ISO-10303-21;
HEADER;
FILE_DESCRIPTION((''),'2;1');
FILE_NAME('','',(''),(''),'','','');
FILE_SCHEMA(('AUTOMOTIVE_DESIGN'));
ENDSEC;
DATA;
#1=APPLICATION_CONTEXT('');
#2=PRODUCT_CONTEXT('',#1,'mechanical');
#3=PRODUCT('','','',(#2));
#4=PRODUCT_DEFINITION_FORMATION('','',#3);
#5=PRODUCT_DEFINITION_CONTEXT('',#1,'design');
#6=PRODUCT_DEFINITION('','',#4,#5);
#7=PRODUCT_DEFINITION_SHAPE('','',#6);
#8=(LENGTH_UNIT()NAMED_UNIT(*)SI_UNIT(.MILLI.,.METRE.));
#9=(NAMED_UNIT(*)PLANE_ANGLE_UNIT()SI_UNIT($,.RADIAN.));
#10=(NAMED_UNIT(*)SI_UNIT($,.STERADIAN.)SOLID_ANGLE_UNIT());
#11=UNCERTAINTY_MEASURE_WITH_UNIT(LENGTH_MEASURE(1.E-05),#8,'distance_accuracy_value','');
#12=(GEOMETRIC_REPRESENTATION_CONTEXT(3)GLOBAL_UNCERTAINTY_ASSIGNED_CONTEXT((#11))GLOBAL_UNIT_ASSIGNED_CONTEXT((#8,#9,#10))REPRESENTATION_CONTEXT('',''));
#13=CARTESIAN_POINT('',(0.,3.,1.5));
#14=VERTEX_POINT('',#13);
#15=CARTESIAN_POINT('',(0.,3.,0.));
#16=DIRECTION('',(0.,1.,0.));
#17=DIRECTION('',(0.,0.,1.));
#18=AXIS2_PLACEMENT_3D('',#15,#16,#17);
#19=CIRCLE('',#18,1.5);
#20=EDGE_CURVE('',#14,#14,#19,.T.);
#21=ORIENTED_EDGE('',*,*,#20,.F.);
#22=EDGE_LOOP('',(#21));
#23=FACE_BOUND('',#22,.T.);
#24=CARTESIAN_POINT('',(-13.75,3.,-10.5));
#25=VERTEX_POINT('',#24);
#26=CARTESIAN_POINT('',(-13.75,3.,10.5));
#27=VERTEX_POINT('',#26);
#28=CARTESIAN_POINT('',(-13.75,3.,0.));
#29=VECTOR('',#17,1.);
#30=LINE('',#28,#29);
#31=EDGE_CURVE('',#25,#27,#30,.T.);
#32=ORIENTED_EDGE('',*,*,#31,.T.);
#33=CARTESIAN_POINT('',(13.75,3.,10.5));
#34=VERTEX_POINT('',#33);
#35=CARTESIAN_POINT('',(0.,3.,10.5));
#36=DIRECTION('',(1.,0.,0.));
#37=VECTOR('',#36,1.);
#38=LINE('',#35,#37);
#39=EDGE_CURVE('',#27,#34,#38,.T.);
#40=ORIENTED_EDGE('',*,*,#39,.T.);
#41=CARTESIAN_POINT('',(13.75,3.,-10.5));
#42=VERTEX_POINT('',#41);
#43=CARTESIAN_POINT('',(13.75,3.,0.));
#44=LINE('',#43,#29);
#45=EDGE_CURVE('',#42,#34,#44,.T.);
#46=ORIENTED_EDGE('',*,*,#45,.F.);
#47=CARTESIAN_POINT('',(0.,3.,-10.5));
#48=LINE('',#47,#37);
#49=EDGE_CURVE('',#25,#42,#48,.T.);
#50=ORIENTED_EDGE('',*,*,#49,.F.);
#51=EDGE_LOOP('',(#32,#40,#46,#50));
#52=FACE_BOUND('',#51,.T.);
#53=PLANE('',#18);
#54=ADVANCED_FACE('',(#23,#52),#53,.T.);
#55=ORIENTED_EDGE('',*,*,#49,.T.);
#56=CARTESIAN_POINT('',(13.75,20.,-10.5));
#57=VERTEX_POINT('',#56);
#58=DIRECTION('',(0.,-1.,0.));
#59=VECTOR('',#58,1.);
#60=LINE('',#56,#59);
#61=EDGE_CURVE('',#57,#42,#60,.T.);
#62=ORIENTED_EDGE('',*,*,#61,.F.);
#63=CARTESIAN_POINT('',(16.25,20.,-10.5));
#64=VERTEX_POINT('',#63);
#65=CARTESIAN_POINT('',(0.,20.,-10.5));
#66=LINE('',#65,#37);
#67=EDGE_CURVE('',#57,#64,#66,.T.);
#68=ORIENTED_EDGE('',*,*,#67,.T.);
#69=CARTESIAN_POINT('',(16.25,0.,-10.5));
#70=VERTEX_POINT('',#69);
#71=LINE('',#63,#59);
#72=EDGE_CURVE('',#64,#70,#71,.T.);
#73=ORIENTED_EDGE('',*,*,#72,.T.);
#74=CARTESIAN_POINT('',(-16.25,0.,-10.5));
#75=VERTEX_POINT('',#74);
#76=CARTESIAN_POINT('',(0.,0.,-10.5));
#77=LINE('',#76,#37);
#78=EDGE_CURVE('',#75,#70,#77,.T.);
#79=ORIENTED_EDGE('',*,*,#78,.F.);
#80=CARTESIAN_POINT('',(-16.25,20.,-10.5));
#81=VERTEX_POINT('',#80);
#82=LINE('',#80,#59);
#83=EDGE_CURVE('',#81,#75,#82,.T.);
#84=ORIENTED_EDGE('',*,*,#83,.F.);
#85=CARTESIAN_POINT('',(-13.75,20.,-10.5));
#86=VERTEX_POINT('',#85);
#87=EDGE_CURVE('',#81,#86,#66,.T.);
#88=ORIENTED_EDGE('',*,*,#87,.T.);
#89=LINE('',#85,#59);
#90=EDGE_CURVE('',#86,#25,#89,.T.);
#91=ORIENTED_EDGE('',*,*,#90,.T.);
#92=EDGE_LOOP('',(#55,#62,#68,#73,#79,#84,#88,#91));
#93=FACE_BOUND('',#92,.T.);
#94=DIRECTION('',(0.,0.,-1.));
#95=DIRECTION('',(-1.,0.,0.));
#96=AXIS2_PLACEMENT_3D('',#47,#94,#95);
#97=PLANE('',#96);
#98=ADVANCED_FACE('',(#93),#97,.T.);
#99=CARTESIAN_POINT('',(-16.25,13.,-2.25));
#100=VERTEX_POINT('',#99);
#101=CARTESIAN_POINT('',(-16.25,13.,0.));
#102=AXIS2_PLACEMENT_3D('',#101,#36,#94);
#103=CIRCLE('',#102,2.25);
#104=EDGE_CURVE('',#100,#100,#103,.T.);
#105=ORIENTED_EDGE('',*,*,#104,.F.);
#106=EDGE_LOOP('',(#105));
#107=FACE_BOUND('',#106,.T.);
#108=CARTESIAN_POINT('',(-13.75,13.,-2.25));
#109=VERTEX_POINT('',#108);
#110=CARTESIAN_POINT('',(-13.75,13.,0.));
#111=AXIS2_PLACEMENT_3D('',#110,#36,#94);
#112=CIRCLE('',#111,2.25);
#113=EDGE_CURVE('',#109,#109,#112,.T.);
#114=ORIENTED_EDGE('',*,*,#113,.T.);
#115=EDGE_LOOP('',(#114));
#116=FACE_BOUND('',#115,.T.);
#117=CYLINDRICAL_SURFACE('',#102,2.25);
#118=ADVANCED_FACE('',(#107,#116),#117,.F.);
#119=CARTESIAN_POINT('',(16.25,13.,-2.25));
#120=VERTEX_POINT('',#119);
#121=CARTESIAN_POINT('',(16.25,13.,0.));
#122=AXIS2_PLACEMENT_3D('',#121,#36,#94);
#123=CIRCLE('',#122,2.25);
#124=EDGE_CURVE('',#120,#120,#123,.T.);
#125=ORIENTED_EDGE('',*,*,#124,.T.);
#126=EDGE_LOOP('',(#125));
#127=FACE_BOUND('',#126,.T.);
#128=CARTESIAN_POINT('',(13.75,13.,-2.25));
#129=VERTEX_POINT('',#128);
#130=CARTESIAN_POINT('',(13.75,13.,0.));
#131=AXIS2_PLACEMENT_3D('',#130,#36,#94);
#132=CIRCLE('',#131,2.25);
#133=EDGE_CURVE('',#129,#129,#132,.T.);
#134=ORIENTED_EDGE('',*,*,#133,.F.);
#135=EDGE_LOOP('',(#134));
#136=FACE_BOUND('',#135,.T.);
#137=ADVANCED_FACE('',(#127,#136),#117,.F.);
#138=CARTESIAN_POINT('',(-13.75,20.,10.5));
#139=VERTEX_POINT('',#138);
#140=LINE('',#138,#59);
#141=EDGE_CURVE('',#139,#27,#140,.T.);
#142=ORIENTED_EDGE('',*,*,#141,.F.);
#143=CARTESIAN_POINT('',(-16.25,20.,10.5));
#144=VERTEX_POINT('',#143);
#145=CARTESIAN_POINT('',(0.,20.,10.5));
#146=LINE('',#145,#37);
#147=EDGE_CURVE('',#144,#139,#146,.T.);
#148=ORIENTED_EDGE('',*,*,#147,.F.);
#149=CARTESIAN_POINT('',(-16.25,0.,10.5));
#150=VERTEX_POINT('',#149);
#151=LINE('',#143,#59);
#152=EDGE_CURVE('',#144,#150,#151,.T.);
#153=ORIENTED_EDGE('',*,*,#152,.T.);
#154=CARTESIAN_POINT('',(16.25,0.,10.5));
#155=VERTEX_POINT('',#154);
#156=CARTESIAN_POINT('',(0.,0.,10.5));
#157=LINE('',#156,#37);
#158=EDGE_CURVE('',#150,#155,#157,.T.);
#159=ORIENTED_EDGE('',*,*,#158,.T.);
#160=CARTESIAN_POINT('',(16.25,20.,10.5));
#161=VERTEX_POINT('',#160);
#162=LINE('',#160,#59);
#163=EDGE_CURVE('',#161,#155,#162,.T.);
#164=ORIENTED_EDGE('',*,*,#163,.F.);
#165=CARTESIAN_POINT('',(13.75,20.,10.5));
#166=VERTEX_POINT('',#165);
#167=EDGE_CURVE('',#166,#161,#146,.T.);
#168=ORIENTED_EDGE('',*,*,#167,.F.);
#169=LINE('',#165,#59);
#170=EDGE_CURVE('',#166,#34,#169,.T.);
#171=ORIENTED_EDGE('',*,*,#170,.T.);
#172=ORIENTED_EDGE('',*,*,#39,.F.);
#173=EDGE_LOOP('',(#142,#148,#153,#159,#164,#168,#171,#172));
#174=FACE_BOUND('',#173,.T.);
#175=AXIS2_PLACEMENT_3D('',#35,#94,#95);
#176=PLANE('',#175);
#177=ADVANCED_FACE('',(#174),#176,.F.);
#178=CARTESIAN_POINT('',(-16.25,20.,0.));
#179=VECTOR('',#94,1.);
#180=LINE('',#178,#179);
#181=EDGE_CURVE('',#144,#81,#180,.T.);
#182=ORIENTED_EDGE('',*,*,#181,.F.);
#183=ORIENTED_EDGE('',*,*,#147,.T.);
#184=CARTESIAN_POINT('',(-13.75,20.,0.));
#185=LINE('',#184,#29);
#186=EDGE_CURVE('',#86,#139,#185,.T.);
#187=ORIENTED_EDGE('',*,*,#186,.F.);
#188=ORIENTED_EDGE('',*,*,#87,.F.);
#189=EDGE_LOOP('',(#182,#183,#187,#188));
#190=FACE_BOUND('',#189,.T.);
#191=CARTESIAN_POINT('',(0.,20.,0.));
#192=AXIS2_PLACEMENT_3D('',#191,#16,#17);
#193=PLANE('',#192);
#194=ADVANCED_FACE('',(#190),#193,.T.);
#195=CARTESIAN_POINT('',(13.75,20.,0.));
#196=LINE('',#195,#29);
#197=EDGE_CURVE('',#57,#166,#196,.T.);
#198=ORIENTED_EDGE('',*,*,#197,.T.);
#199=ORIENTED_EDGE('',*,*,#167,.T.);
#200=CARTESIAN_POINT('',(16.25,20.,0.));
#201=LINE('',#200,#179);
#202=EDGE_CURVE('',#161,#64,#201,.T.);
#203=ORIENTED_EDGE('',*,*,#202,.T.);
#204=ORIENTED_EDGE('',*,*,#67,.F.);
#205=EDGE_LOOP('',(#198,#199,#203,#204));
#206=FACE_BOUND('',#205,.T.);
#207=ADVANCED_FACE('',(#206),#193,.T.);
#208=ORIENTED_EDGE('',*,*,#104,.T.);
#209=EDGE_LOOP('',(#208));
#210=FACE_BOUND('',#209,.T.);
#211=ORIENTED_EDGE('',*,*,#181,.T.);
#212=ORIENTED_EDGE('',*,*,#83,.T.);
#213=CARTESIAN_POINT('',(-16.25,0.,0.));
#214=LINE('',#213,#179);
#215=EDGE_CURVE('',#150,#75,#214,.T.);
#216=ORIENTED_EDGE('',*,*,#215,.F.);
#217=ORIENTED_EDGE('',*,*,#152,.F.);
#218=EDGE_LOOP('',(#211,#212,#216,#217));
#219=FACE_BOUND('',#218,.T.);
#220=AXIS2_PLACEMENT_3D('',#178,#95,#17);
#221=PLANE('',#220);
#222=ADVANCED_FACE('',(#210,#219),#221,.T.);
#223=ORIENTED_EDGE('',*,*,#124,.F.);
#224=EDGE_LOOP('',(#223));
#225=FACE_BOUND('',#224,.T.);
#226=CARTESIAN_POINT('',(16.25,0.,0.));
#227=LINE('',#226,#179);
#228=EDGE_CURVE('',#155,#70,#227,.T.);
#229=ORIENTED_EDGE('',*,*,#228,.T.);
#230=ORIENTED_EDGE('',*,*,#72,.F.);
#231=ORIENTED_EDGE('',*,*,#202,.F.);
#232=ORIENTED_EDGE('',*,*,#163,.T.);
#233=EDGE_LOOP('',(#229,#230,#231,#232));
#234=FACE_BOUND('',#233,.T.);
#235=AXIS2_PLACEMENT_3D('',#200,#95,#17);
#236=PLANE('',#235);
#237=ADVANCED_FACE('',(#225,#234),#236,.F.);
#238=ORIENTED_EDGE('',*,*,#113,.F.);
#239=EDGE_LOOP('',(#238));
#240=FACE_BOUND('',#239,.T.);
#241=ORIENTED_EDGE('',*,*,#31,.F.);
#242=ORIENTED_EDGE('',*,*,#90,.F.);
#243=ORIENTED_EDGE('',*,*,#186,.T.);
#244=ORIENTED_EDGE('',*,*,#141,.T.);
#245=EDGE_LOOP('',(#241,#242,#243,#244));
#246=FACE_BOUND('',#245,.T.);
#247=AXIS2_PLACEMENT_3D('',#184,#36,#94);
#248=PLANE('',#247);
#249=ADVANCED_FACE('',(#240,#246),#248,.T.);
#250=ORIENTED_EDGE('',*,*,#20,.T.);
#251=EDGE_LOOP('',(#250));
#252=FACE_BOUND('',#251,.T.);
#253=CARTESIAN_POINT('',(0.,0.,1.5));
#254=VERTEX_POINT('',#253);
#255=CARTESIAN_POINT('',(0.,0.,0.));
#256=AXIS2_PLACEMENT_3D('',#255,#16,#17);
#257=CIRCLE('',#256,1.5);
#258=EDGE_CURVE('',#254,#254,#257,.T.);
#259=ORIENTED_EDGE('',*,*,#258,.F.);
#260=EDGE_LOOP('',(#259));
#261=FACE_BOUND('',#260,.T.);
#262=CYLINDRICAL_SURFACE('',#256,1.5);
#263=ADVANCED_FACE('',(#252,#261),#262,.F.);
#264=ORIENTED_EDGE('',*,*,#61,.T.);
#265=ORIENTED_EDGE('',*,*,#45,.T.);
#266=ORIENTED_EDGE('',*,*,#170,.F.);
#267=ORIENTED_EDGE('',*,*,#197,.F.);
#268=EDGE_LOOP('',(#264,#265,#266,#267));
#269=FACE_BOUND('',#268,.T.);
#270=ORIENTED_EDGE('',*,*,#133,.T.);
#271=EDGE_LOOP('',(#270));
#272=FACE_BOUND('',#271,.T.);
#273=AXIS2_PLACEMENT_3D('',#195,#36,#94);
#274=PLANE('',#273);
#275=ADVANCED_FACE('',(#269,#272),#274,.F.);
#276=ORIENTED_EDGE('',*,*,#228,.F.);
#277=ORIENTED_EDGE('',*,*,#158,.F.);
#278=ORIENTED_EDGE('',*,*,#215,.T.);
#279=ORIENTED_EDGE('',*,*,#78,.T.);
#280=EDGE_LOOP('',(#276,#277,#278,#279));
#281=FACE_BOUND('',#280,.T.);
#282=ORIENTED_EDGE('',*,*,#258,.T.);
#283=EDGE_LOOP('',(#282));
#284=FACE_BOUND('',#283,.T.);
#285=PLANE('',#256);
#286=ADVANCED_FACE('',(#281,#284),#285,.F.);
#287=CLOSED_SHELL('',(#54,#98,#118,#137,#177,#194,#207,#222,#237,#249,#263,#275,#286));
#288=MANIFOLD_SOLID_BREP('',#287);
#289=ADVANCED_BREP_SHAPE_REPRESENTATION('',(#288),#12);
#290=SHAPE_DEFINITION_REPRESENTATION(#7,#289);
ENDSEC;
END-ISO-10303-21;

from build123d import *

# Parameters (mm, degrees)
SKETCH1_W           = 27.5
SKETCH1_H           = 21
BOSS_EXTRUDE1_DEPTH = 3
SKETCH1_4_W         = 2.5
SKETCH1_4_H         = 21
BOSS_EXTRUDE2_DEPTH = 20
SKETCH2_R           = 2.25
CUT_EXTRUDE1_DEPTH  = 40.579034854
SKETCH3_R           = 1.5
CUT_EXTRUDE2_DEPTH  = 26.754853911


with BuildPart() as part:
    # Sketch1 → Boss-Extrude1 (new body)
    with BuildSketch(Plane(origin=(0, 0, 0), x_dir=(1, 0, 0), z_dir=(0, 1, 0))):
        Rectangle(SKETCH1_W, SKETCH1_H)
    extrude(amount=BOSS_EXTRUDE1_DEPTH)

    # Sketch1<4> → Boss-Extrude2 (add)
    with BuildSketch(Plane(origin=(0, 0, 0), x_dir=(1, 0, 0), z_dir=(0, 1, 0))):
        with Locations((-15, 0)):
            Rectangle(SKETCH1_4_W, SKETCH1_4_H)
        with Locations((15, 0)):
            Rectangle(SKETCH1_4_W, SKETCH1_4_H)
    extrude(amount=BOSS_EXTRUDE2_DEPTH)

    # Sketch2 → Cut-Extrude1 (cut, through all)
    with BuildSketch(Plane(origin=(16.25, 0, 0), x_dir=(0, 0, -1), z_dir=(1, 0, 0))):
        with Locations((0, 13)):
            Circle(SKETCH2_R)
    extrude(amount=-CUT_EXTRUDE1_DEPTH, mode=Mode.SUBTRACT)

    # Sketch3 → Cut-Extrude2 (cut, through all)
    with BuildSketch(Plane(origin=(0, 3, 0), x_dir=(1, 0, 0), z_dir=(0, 1, 0))):
        Circle(SKETCH3_R)
    extrude(amount=-CUT_EXTRUDE2_DEPTH, mode=Mode.SUBTRACT)


solid = part.part
